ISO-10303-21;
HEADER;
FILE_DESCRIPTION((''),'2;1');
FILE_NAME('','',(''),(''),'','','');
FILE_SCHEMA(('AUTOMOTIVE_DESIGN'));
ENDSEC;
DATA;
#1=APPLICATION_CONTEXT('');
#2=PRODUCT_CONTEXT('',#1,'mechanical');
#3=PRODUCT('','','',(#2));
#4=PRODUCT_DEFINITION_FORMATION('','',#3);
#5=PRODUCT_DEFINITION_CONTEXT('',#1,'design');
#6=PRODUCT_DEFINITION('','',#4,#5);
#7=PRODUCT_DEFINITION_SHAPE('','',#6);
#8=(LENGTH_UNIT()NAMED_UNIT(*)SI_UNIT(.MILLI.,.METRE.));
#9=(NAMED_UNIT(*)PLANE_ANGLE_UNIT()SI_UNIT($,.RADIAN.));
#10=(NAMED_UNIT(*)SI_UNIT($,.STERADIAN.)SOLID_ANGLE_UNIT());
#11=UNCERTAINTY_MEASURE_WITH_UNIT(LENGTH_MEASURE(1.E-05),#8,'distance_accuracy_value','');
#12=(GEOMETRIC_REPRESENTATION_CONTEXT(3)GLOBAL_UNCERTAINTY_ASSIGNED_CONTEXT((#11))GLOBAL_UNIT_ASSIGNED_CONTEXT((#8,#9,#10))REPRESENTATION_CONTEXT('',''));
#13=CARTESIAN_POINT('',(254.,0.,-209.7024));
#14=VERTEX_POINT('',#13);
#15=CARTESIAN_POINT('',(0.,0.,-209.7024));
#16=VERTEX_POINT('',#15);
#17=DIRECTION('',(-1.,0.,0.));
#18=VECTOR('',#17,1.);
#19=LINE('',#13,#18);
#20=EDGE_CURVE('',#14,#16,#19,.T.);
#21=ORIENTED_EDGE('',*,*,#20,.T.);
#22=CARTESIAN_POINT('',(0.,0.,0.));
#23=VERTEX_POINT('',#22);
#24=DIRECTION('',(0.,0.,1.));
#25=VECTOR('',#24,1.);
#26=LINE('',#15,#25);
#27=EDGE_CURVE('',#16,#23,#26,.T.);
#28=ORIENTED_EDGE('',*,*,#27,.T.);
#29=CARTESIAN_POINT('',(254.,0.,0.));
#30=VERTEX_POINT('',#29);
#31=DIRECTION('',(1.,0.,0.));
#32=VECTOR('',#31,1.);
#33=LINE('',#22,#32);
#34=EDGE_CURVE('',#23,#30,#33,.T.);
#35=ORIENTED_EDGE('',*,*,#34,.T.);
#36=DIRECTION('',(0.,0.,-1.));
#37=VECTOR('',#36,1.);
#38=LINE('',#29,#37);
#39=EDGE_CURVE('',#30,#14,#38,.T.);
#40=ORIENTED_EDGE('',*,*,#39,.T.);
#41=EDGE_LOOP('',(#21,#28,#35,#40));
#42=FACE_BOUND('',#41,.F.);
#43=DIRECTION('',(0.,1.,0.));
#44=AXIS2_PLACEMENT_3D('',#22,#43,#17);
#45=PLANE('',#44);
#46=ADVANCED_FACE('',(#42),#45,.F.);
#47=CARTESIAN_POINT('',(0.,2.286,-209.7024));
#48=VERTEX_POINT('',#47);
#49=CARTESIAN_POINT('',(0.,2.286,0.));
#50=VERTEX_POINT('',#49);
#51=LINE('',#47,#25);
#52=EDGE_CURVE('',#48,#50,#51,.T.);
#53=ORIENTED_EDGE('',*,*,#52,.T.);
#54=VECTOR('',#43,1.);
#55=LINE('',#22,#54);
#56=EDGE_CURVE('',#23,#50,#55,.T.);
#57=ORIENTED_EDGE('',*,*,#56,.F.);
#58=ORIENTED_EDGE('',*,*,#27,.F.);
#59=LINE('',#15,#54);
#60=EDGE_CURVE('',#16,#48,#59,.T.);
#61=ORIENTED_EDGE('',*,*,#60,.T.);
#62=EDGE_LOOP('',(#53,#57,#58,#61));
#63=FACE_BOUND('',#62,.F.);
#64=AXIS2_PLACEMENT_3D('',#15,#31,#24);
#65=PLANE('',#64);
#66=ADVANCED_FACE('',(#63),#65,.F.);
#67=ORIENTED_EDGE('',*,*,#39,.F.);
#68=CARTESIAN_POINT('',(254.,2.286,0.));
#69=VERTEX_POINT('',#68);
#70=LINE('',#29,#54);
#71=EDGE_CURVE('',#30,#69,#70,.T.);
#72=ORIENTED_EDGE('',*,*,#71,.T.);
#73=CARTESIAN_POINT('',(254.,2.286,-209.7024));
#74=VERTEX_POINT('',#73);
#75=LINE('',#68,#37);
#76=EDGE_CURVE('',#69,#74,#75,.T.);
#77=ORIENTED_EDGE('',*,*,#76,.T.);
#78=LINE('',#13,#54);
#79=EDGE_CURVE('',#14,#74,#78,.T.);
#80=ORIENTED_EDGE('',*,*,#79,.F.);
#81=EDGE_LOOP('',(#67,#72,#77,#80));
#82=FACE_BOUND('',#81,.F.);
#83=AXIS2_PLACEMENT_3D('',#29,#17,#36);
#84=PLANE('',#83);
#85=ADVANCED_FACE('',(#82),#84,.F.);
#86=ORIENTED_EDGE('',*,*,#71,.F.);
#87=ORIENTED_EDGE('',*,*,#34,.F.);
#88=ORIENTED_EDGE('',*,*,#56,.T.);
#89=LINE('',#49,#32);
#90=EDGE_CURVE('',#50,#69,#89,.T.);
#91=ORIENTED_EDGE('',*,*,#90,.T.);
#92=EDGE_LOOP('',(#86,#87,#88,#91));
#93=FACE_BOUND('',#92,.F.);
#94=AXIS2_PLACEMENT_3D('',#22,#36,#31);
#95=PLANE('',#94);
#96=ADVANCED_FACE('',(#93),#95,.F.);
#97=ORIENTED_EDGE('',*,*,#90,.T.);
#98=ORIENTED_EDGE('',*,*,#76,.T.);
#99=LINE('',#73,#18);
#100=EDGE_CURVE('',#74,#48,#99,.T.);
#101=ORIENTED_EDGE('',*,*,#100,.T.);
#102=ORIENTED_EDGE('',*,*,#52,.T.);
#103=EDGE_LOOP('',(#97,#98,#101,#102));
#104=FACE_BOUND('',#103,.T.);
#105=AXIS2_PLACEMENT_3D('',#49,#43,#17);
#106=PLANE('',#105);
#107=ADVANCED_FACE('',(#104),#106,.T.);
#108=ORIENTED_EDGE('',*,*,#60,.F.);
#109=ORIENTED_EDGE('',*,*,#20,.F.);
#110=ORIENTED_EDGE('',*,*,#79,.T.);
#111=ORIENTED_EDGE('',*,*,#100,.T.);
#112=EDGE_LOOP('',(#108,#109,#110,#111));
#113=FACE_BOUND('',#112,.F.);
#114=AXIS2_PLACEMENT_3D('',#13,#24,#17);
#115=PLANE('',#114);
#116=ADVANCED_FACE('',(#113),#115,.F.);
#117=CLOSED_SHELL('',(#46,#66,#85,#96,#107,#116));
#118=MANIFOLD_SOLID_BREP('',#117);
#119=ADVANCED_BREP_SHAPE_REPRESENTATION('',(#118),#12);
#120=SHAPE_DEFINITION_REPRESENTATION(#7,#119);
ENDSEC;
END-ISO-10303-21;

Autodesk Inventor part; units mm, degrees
ref_plane "YZ Plane" through (0, 0, 0) normal (1, 0, 0) x (0, 1, 0)
ref_plane "XZ Plane" through (0, 0, 0) normal (0, 1, 0) x (-1, 0, 0)
ref_plane "XY Plane" through (0, 0, 0) normal (0, 0, 1) x (1, 0, 0)
sketch "Sketch1" plane through (0, 0, 0) normal (0, 1, 0) x (-1, 0, 0)
  line L0 (0, 0) -> (-254, 0)
  line L1 (-254, 0) -> (-254, -209.7024)
  line L2 (-254, -209.7024) -> (0, -209.7024)
  line L3 (0, -209.7024) -> (0, 0)
  dimension "d0" = 254
  dimension "d1" = 209.7024
extrude "Extrusion1" add sketch "Sketch1" along normal blind 2.286
properties part number "Floor Sheet"
